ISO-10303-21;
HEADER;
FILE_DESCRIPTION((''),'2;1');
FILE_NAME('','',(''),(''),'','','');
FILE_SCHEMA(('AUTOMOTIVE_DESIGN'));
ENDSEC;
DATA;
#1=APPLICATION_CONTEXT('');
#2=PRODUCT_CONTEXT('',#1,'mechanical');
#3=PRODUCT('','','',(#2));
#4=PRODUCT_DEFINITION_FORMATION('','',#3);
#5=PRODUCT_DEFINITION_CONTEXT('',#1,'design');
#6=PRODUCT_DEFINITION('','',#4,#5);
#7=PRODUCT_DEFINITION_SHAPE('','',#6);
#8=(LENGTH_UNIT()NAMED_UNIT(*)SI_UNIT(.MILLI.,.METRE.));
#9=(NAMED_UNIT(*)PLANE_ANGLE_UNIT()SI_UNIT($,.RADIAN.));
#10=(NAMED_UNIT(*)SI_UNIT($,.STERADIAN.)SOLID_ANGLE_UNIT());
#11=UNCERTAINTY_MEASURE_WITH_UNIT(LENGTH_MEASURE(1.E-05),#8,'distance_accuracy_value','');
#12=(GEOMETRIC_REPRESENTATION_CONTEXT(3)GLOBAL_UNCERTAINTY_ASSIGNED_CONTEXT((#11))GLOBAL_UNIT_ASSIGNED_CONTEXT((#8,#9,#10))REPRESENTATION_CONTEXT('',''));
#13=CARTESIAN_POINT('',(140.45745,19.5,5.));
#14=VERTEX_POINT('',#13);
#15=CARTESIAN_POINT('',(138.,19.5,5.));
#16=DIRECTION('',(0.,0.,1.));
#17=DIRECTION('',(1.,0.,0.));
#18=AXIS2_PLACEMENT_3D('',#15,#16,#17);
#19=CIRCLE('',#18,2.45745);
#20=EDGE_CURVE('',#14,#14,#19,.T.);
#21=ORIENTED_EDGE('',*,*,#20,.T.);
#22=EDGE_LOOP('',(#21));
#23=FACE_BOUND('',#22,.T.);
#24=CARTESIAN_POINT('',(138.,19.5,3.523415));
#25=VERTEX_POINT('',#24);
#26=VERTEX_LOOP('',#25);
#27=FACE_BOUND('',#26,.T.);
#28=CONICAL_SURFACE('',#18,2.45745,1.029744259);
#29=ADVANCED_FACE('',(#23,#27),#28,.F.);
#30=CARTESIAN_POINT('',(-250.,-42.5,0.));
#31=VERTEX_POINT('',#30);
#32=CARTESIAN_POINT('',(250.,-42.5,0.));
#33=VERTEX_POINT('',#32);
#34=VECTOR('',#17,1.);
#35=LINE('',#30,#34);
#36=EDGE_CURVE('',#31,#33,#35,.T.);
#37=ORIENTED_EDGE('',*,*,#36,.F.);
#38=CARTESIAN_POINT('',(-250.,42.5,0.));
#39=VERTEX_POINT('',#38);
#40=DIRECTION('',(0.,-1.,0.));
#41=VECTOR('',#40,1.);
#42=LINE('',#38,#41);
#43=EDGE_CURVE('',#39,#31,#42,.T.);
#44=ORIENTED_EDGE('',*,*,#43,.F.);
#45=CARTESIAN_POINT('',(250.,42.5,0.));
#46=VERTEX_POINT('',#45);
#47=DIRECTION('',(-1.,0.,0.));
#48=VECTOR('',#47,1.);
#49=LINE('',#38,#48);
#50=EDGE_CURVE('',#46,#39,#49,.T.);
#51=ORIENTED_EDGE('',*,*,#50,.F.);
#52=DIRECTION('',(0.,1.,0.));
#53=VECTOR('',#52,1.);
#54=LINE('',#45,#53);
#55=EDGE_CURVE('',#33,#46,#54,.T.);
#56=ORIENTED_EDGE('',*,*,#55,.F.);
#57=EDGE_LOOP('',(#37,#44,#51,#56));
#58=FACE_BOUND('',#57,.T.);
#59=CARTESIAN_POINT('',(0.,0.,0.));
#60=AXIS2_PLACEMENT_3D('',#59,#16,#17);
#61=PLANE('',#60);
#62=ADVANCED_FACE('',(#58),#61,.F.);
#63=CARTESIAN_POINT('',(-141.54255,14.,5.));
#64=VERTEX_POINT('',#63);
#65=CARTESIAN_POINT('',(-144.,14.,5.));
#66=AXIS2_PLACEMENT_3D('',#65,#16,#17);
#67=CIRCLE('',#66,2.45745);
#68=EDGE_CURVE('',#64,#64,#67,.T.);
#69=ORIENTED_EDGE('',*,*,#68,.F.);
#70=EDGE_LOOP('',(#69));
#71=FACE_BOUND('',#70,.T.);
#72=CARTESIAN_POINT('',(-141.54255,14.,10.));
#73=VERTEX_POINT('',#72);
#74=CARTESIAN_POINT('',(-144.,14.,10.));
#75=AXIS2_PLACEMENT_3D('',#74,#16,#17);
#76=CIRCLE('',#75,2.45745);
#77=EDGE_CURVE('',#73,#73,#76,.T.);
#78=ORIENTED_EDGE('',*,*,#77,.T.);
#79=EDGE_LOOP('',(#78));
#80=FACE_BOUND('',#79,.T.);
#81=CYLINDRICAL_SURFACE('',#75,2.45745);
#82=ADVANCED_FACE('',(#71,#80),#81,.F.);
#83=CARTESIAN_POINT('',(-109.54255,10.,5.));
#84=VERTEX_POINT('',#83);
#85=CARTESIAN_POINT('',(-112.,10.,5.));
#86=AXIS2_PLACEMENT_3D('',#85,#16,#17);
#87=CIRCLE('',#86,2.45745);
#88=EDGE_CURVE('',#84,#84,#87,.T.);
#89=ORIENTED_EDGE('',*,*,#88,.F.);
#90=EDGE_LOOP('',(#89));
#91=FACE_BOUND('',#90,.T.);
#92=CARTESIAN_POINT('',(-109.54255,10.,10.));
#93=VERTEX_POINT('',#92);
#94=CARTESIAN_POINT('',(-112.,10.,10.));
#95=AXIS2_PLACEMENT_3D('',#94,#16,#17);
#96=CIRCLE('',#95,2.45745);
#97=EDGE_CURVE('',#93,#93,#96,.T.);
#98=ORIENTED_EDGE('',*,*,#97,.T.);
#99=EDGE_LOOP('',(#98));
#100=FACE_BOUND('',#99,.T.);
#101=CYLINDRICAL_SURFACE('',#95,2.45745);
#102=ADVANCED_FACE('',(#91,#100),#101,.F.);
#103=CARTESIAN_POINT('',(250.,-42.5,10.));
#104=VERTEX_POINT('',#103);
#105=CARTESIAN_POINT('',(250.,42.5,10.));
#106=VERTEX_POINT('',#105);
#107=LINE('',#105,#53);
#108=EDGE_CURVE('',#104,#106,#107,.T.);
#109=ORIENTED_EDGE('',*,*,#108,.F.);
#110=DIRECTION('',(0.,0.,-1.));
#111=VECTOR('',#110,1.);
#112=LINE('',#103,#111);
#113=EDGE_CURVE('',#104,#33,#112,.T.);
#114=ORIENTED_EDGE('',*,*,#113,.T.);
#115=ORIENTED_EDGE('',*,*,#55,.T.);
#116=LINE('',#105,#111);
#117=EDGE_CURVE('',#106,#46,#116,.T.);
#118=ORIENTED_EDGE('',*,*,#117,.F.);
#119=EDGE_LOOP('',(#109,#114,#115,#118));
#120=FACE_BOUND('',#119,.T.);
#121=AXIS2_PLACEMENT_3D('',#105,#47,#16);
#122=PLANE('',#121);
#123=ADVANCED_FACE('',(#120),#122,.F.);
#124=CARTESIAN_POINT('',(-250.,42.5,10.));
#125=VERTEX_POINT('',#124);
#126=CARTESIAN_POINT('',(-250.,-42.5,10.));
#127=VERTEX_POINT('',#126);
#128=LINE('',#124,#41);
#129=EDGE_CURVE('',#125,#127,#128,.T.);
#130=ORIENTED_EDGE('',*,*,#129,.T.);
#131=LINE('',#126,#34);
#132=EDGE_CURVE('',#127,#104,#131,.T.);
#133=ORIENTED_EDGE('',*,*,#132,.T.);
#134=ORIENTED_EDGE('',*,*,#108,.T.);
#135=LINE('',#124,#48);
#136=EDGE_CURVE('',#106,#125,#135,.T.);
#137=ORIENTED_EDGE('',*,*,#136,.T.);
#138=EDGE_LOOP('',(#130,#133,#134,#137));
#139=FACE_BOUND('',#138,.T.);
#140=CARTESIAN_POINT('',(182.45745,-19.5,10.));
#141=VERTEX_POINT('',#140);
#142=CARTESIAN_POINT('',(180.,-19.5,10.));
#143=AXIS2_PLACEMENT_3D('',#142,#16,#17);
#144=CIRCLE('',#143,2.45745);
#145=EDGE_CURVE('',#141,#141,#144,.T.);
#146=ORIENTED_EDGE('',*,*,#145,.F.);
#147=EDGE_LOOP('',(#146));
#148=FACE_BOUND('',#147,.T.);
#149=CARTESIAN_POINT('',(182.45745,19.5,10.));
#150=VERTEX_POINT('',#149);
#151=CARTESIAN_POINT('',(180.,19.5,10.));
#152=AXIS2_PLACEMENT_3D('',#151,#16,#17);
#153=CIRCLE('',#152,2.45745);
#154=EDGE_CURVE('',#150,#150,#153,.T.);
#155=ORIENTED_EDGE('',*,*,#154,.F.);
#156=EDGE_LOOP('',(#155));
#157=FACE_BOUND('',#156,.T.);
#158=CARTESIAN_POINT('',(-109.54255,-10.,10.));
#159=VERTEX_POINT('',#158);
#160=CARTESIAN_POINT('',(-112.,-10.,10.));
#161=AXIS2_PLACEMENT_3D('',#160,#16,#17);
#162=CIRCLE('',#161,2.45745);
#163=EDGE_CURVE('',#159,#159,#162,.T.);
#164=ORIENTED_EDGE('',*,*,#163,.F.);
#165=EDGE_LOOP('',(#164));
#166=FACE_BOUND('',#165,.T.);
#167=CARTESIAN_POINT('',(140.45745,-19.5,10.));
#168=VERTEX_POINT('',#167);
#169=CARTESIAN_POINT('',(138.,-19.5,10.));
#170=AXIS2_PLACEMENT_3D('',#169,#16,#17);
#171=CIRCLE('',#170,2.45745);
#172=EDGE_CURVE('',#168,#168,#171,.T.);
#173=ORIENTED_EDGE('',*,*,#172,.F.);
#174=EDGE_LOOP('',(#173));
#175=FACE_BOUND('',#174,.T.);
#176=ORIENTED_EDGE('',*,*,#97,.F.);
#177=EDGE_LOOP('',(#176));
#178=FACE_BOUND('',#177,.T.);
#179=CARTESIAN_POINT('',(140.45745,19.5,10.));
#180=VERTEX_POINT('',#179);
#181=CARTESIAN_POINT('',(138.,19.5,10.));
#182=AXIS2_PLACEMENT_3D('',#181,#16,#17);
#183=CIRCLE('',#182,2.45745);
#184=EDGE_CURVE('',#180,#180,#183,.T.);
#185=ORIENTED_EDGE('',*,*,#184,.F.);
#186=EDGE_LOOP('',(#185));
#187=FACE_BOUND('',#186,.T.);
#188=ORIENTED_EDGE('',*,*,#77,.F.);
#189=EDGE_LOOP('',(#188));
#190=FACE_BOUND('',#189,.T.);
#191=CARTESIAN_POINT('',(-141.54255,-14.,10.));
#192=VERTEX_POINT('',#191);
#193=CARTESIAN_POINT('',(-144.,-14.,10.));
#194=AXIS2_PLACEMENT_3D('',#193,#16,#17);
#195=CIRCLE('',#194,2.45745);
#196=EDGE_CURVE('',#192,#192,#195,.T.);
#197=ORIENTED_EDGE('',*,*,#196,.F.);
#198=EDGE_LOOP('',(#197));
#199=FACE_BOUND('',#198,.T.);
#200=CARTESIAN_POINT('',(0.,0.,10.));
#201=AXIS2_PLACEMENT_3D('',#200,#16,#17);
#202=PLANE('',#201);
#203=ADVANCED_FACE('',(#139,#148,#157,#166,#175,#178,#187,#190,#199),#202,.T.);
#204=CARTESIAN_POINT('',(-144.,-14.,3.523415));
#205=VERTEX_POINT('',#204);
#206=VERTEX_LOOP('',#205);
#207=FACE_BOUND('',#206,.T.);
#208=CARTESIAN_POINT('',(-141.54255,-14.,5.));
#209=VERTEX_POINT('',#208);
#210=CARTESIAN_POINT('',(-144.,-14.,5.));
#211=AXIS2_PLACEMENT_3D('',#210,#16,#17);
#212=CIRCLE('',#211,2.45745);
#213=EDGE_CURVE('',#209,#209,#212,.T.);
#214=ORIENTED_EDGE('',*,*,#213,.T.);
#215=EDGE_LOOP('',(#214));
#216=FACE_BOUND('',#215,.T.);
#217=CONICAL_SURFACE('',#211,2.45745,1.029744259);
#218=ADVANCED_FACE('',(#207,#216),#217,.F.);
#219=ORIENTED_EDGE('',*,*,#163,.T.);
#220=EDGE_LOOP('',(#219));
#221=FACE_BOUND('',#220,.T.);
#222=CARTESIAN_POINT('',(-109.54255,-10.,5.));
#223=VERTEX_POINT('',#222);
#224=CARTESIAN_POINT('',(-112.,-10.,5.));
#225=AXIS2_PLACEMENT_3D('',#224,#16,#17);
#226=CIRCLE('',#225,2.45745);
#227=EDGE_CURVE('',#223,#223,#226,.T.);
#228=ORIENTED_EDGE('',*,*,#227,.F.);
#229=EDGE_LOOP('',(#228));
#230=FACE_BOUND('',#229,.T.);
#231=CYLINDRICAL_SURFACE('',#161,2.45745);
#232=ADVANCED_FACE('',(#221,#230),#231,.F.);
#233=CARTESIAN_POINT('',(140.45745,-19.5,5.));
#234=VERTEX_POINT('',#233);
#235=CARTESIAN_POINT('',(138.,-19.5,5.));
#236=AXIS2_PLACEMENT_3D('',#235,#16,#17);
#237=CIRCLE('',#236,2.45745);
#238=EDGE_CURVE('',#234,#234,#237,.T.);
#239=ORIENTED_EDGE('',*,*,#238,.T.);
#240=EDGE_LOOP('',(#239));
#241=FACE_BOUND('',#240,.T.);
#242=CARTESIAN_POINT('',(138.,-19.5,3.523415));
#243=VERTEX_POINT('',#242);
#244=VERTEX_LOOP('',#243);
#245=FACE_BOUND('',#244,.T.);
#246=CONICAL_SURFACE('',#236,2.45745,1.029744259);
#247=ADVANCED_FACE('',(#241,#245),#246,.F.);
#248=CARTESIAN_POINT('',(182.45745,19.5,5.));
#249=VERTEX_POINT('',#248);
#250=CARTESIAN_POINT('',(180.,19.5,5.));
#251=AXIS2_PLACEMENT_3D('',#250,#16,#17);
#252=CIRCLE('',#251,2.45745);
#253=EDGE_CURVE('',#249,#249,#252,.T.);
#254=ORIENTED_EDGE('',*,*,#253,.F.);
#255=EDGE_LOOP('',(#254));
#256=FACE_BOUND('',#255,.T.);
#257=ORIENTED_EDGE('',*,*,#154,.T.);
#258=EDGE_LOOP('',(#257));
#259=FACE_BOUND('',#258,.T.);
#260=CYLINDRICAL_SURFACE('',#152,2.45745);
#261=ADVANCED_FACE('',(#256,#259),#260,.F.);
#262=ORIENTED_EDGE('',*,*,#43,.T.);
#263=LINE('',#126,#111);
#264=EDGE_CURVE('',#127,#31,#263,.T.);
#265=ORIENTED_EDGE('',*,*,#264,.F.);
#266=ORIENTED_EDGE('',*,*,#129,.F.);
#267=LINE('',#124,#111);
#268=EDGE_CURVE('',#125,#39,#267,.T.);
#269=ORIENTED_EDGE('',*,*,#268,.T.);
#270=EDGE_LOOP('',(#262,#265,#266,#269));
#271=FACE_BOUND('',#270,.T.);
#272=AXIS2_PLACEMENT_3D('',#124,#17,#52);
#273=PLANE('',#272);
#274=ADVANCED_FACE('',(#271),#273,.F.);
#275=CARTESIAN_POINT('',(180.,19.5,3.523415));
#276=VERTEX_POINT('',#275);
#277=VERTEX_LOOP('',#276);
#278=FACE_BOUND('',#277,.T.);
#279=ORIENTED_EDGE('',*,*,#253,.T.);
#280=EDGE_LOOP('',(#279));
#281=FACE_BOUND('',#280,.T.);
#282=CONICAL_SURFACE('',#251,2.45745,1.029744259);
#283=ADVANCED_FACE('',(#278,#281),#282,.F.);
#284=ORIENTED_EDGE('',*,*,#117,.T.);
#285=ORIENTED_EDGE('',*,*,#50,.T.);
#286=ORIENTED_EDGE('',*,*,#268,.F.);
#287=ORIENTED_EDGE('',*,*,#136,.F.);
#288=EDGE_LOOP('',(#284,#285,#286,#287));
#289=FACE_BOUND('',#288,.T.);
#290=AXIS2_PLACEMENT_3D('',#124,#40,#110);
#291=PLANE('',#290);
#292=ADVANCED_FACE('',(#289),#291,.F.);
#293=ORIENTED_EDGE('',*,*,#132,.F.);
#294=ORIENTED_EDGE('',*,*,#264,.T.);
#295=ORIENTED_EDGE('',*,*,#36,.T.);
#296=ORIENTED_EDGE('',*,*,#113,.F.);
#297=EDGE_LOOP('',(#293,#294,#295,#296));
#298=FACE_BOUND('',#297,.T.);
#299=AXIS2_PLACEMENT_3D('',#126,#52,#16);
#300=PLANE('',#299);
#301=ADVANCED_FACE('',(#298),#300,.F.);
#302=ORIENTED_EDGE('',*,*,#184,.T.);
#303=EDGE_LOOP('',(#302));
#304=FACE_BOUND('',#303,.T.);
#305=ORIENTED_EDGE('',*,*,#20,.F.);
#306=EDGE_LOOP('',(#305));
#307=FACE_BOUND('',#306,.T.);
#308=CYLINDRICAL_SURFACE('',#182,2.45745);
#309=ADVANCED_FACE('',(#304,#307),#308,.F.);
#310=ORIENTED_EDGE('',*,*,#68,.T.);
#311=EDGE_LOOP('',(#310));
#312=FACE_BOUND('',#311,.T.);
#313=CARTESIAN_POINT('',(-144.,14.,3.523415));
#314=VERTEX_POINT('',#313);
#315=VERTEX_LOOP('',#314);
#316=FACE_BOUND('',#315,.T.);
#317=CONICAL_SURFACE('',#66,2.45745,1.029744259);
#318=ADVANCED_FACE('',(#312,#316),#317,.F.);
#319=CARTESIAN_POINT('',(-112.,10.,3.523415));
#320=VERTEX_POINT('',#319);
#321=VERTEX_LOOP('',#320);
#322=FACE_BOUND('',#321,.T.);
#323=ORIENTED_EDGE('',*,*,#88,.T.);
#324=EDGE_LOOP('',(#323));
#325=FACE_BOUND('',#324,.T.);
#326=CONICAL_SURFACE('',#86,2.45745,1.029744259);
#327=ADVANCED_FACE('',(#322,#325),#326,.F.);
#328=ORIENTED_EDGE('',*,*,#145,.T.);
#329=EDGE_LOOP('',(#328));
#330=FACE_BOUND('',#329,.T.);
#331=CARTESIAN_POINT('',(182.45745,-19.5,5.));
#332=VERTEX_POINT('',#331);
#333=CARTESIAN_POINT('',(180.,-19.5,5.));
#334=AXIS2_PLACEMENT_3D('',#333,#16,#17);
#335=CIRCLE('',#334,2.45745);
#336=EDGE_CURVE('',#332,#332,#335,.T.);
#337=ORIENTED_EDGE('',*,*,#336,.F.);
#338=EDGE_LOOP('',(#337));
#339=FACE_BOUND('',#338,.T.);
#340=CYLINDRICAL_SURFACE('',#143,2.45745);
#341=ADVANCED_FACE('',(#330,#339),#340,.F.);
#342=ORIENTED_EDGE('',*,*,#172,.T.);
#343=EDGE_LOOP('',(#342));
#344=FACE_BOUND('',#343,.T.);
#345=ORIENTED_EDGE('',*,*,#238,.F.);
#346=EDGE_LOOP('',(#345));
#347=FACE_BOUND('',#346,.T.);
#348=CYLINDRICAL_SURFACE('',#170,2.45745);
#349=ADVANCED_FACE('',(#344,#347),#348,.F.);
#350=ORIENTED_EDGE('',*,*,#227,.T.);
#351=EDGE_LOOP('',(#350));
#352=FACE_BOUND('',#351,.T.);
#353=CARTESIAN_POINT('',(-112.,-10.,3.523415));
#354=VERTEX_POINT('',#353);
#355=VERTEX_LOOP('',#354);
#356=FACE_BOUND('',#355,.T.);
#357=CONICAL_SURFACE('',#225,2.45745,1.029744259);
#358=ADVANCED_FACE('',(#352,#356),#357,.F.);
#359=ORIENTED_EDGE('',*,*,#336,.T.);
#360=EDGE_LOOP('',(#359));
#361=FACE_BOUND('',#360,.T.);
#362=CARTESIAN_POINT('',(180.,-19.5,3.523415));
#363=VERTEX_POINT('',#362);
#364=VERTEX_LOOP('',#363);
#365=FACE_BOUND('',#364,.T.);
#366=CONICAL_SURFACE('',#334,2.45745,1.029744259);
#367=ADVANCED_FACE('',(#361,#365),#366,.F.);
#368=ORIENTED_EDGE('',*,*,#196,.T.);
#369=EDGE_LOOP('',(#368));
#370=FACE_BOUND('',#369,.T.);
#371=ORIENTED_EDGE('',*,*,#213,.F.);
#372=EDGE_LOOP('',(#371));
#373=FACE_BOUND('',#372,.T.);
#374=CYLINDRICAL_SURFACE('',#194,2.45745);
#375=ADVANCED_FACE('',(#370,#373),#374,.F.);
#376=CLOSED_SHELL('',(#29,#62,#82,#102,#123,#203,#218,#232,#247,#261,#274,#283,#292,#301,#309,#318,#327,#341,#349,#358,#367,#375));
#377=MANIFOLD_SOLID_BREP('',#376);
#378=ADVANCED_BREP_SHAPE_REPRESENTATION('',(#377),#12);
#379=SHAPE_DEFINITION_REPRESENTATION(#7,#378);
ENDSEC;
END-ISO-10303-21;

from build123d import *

# Parameters (mm, degrees)
SKETCH1_W                        = 500
SKETCH1_H                        = 85
BOSS_EXTRUDE1_DEPTH              = 10
F_10_0_1935_DIAMETER_HOLE1_D     = 4.9149
F_10_0_1935_DIAMETER_HOLE1_DEPTH = 5
F_10_0_1935_DIAMETER_HOLE1_TIP   = 1.476584928
F_10_0_1935_DIAMETER_HOLE2_D     = 4.9149
F_10_0_1935_DIAMETER_HOLE2_DEPTH = 5
F_10_0_1935_DIAMETER_HOLE2_TIP   = 1.476584928


with BuildPart() as part:
    # Sketch1 → Boss-Extrude1 (new body)
    with BuildSketch(Plane.XY):
        Rectangle(SKETCH1_W, SKETCH1_H)
    extrude(amount=BOSS_EXTRUDE1_DEPTH)

    # #10 (0.1935) Diameter Hole1
    with Locations(Plane.XY.offset(10)):
        with Locations((180, 19.5), (180, -19.5), (138, -19.5), (138, 19.5)):
            Hole(F_10_0_1935_DIAMETER_HOLE1_D / 2, depth=F_10_0_1935_DIAMETER_HOLE1_DEPTH)
            with Locations((0, 0, -(F_10_0_1935_DIAMETER_HOLE1_DEPTH + F_10_0_1935_DIAMETER_HOLE1_TIP / 2))):  # 118° drill point
                Cone(0, F_10_0_1935_DIAMETER_HOLE1_D / 2, F_10_0_1935_DIAMETER_HOLE1_TIP, mode=Mode.SUBTRACT)

    # #10 (0.1935) Diameter Hole2
    with Locations(Plane.XY.offset(10)):
        with Locations((-144, 14), (-112, 10), (-112, -10), (-144, -14)):
            Hole(F_10_0_1935_DIAMETER_HOLE2_D / 2, depth=F_10_0_1935_DIAMETER_HOLE2_DEPTH)
            with Locations((0, 0, -(F_10_0_1935_DIAMETER_HOLE2_DEPTH + F_10_0_1935_DIAMETER_HOLE2_TIP / 2))):  # 118° drill point
                Cone(0, F_10_0_1935_DIAMETER_HOLE2_D / 2, F_10_0_1935_DIAMETER_HOLE2_TIP, mode=Mode.SUBTRACT)


solid = part.part
